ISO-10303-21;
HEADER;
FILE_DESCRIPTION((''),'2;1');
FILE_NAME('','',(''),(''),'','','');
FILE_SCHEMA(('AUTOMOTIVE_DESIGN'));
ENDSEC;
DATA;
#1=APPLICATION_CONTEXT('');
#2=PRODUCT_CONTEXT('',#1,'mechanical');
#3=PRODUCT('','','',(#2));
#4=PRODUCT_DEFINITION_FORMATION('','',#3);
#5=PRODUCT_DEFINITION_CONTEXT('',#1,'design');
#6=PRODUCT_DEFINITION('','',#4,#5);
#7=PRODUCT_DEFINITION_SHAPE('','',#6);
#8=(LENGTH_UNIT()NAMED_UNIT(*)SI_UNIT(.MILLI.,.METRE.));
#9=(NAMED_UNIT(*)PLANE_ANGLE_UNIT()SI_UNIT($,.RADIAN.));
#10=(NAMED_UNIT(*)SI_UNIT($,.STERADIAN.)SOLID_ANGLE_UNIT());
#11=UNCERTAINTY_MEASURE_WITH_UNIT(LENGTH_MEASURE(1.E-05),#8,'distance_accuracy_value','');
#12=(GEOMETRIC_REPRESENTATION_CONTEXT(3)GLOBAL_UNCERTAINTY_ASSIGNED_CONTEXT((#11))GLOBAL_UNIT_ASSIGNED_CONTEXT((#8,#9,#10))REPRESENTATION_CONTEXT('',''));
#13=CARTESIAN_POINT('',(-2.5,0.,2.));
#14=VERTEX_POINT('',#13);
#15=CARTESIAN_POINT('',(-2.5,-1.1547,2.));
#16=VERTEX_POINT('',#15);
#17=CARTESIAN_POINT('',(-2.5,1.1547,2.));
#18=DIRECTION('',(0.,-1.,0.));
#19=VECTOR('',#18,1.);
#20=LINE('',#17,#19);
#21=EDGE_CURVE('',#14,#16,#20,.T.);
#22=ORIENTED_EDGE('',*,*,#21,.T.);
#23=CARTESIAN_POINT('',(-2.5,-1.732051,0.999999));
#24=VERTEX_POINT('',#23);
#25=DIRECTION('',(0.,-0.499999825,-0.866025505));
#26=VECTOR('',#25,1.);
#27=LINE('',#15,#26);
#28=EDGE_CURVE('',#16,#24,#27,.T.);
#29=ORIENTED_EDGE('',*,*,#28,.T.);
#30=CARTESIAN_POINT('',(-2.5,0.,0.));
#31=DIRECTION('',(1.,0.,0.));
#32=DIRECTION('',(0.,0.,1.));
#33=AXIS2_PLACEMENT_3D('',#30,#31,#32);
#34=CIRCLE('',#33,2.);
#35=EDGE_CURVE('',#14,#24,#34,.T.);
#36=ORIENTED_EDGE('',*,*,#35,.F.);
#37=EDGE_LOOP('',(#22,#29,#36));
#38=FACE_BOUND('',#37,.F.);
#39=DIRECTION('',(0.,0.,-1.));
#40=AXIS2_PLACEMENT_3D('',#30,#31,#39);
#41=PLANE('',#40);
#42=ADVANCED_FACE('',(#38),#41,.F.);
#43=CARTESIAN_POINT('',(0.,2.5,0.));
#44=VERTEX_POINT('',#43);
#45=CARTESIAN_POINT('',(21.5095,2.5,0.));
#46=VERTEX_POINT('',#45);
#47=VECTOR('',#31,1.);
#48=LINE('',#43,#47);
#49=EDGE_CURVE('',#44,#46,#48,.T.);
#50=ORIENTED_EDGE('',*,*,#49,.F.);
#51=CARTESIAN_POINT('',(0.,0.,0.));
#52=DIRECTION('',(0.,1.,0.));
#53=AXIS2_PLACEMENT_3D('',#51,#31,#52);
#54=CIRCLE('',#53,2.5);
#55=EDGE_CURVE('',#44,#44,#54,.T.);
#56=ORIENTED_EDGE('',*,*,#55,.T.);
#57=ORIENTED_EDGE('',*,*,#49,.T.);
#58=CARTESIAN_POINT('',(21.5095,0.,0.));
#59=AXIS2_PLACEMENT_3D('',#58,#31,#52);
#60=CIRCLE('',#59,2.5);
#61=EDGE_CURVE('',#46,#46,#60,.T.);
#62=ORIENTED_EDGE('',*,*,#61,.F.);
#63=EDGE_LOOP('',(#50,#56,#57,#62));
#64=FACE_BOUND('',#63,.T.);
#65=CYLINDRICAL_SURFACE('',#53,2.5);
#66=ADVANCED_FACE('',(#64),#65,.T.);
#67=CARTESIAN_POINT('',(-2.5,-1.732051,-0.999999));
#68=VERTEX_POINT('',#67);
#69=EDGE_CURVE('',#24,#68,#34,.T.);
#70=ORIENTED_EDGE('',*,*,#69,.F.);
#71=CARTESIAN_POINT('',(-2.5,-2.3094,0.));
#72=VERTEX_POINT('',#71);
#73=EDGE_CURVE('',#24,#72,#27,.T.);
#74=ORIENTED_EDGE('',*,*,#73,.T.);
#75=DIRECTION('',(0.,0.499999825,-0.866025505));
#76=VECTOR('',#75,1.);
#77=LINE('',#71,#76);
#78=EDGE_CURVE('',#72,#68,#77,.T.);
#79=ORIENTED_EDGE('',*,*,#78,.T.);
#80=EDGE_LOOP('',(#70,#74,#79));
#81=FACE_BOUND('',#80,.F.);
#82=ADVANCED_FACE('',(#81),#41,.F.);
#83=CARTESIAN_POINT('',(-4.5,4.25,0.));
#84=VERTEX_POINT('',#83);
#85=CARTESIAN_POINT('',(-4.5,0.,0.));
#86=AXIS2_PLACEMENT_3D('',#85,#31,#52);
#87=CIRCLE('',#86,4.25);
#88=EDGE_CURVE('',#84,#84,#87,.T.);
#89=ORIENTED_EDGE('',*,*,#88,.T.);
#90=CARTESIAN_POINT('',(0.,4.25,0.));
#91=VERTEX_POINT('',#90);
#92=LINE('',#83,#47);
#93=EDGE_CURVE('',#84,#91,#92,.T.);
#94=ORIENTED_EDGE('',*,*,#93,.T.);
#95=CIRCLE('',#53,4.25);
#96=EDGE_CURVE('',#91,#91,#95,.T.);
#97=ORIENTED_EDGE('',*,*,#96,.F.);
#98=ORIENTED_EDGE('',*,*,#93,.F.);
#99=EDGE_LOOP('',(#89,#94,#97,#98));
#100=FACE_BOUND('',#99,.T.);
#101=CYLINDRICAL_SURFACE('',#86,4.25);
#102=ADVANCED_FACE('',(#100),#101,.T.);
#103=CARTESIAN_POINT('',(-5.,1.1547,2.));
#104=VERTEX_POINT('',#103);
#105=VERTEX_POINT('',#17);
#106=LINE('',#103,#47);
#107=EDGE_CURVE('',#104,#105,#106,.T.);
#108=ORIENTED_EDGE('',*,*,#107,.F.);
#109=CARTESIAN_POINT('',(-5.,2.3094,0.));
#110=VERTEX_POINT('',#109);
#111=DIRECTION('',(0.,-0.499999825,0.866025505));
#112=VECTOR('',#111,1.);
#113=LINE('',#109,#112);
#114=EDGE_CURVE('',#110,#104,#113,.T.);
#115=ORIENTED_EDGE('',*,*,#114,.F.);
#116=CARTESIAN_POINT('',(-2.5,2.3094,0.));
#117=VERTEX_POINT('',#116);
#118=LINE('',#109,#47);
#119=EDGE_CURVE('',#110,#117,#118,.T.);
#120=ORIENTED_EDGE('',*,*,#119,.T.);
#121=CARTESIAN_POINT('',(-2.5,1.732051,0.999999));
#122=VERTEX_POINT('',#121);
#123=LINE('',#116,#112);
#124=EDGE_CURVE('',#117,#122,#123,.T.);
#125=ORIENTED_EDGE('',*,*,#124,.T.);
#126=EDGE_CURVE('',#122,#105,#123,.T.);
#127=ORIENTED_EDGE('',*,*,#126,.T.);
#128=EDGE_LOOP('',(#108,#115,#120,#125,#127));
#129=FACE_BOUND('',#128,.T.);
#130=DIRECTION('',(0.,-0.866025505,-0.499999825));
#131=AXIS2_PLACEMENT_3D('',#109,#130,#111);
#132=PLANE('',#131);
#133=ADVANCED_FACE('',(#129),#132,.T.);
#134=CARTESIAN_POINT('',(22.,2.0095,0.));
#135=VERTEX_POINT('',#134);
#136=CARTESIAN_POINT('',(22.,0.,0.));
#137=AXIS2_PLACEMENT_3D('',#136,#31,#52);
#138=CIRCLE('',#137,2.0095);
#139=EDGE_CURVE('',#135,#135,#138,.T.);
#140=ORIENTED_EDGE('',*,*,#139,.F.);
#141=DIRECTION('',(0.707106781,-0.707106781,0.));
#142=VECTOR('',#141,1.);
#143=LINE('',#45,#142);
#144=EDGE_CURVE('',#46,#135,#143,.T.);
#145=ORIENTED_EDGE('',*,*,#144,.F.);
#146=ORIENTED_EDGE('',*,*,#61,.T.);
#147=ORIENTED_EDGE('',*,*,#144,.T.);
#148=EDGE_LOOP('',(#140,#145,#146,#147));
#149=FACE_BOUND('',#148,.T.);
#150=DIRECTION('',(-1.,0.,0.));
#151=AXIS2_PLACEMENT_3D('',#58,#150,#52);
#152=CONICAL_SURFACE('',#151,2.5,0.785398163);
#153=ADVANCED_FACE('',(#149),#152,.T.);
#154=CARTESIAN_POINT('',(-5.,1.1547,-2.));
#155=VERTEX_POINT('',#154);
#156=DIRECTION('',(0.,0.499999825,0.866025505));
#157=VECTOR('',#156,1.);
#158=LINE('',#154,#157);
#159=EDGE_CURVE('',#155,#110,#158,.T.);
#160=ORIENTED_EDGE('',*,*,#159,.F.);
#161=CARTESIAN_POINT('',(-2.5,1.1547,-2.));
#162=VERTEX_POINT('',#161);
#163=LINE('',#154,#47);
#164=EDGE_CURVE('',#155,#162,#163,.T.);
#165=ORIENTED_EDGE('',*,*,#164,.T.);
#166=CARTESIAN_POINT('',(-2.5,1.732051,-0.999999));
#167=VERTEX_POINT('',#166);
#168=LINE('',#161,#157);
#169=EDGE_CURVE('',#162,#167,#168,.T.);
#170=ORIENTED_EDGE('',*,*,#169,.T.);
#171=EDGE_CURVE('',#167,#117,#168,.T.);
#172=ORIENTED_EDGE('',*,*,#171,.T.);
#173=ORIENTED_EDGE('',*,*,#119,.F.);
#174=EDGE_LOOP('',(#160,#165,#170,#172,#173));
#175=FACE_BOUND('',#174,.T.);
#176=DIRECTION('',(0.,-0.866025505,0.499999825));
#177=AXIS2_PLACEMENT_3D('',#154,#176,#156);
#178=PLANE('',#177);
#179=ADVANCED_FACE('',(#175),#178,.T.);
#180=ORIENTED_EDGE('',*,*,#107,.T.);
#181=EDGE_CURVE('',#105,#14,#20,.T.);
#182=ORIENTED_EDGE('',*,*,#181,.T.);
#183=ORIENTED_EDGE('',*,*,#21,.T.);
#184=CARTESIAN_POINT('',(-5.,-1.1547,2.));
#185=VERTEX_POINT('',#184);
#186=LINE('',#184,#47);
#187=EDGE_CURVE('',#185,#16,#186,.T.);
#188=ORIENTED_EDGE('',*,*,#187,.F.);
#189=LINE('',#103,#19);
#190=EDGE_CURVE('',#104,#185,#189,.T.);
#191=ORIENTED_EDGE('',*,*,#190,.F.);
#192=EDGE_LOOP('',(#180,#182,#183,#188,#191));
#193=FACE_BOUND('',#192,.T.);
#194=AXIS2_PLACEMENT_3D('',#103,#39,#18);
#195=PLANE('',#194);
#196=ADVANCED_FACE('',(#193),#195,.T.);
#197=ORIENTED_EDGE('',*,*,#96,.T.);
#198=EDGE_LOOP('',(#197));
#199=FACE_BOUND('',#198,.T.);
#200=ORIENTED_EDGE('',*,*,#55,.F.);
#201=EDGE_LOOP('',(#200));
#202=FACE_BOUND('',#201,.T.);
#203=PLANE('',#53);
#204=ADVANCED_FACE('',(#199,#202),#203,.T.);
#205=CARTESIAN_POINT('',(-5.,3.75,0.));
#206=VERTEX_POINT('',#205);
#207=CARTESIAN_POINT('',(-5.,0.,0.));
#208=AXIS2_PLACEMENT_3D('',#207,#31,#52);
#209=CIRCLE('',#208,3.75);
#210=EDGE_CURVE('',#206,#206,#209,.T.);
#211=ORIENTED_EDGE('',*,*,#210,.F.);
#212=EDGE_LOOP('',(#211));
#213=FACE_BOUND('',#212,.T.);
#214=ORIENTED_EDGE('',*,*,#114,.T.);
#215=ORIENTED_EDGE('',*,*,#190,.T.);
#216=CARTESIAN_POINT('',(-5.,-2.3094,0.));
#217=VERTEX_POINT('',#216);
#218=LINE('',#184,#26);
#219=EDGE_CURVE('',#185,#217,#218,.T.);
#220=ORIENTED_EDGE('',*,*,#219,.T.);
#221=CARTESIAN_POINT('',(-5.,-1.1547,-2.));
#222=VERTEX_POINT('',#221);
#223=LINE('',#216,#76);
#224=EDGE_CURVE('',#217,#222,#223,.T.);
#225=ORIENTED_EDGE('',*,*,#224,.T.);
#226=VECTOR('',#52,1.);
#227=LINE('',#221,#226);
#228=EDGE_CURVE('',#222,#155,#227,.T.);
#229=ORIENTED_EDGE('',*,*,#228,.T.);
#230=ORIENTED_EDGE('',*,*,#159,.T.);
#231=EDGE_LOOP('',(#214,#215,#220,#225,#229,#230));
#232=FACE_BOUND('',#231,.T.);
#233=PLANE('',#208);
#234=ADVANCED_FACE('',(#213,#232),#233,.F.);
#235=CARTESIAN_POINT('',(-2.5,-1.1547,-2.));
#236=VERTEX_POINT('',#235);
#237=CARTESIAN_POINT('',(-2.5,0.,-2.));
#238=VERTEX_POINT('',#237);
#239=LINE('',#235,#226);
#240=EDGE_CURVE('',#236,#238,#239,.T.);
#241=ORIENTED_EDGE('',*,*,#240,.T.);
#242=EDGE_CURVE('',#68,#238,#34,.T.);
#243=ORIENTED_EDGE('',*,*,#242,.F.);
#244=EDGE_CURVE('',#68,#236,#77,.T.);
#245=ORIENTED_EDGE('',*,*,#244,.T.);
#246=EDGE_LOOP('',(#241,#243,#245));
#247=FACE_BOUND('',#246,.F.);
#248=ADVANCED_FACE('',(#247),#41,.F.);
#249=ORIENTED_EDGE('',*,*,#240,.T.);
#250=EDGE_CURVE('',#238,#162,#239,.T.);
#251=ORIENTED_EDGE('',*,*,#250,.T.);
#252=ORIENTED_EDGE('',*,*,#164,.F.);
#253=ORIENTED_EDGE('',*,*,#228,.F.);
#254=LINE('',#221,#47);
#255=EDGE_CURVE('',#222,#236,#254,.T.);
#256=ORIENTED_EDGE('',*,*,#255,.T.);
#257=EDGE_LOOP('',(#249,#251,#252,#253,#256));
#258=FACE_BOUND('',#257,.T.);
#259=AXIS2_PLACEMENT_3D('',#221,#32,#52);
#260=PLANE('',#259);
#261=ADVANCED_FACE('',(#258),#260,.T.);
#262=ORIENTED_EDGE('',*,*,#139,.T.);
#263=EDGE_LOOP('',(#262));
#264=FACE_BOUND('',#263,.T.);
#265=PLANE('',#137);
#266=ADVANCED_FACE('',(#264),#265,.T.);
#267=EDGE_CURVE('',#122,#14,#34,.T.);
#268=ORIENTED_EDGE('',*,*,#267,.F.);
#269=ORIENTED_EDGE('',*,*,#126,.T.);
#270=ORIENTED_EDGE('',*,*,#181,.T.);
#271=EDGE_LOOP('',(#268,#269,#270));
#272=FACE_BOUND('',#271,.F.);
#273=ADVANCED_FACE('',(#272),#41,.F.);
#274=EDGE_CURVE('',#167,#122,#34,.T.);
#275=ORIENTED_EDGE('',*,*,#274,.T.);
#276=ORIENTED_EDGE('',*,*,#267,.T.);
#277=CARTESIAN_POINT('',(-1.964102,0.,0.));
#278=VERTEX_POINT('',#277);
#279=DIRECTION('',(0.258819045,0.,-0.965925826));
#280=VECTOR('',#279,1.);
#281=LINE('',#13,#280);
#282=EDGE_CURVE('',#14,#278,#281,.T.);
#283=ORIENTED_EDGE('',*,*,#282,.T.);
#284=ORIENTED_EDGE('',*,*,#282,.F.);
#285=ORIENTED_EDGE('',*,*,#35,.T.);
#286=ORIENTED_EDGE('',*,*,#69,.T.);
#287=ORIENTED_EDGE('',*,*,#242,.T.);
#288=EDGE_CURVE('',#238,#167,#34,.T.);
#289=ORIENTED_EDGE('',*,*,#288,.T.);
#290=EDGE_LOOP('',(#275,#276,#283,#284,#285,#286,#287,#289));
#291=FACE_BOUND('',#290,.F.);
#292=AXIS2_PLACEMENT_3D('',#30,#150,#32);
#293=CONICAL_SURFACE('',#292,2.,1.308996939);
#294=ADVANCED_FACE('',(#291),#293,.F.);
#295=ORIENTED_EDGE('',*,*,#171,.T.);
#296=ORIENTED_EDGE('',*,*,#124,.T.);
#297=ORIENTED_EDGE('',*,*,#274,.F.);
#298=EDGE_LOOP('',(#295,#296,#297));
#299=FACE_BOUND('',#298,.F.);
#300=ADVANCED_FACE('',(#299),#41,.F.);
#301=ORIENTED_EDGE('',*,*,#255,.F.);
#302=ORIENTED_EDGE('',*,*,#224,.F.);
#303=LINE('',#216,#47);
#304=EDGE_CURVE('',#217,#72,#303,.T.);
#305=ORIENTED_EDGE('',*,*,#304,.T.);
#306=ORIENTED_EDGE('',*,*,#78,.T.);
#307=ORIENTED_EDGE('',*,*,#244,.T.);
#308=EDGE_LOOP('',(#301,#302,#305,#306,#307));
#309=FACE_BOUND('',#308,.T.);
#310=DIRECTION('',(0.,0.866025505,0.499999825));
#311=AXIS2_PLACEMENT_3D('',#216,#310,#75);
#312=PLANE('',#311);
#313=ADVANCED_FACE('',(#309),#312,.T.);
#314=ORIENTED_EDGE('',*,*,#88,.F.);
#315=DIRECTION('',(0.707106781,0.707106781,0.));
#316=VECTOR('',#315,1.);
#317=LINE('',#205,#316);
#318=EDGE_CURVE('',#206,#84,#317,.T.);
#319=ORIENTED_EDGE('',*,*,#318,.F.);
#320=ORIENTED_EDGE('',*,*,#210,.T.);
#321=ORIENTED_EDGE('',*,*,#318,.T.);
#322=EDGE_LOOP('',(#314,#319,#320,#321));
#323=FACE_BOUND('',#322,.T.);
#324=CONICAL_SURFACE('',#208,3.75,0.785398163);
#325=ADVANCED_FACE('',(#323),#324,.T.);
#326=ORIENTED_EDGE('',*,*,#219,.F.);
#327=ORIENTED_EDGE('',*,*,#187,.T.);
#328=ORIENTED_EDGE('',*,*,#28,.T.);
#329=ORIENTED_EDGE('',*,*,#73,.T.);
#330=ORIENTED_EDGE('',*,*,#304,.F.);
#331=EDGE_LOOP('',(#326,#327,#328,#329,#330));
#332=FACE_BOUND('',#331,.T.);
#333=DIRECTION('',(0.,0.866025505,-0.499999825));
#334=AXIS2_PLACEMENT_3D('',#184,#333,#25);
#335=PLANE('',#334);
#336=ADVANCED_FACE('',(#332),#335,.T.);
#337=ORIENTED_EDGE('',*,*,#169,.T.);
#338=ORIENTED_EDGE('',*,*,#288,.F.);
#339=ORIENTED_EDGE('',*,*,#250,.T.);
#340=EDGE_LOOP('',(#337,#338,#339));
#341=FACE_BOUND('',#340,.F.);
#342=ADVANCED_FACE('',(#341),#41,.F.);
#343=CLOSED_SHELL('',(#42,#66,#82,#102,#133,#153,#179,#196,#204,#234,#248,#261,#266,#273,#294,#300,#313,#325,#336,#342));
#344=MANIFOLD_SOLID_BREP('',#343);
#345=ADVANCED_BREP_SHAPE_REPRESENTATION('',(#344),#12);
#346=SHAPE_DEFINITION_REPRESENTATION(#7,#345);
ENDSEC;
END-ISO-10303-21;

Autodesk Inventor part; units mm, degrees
sketch "Sketch_1" plane through (0, 0, 0) normal (0, 0, 1) x (1, 0, 0)
  line L0 (22, 0) -> (-5, 0)
  line L1 (-5, 0) -> (-5, 3.75)
  line L2 (-5, 3.75) -> (-4.5, 4.25)
  line L3 (-4.5, 4.25) -> (0, 4.25)
  line L4 (0, 4.25) -> (0, 2.5)
  line L5 (0, 2.5) -> (21.5095, 2.5)
  line L6 (21.5095, 2.5) -> (22, 2.0095)
  line L7 (22, 2.0095) -> (22, 0)
  line L8 (22, 0) -> (-5, 0)
revolve "Revolution1" add sketch "Sketch_1" angle 360 about axis through (22, 0, 0) along (1, 0, 0)
thread "Thread1" size "M5x0.8" class "6g" standard "ISO Metric profile" length 21.2 offset 0.8
sketch "Sketch2" plane through (-5, 0, 0) normal (-1, 0, 0) x (0, 0, 1)
  point P0 (0, 0)
hole "Hole1" at (-5, 0, 0) direction (1, 0, 0) diameter 4 depth 2.5 tip angle 150
sketch "Sketch_3" plane through (-5, 0, 0) normal (1, 0, 0) x (0, 0, -1)
  line L0 (-2, -1.1547) -> (0, -2.3094)
  line L1 (0, -2.3094) -> (2, -1.1547)
  line L2 (2, -1.1547) -> (2, 1.1547)
  line L3 (2, 1.1547) -> (0, 2.3094)
  line L4 (0, 2.3094) -> (-2, 1.1547)
  line L5 (-2, 1.1547) -> (-2, -1.1547)
extrude "Extrusion1" cut sketch "Sketch_3" along normal blind 2.5
ref_plane "bolt_XY" through (0, 0, 0) normal (1, 0, 0) x (0, 0, -1)
ref_plane "bolt_YZ" through (0, 0, 0) normal (0, 0, -1) x (0, 1, 0)
ref_plane "bolt_ZX" through (0, 0, 0) normal (0, 1, 0) x (1, 0, 0)
ref_plane "nut_XY" through (22, 0, 0) normal (1, 0, 0) x (0, 0, -1)
ref_plane "nut_YZ" through (22, 0, 0) normal (0, 0, -1) x (0, 1, 0)
ref_plane "nut_ZX" through (22, 0, 0) normal (0, 1, 0) x (1, 0, 0)
properties part number "SCB5-22"
